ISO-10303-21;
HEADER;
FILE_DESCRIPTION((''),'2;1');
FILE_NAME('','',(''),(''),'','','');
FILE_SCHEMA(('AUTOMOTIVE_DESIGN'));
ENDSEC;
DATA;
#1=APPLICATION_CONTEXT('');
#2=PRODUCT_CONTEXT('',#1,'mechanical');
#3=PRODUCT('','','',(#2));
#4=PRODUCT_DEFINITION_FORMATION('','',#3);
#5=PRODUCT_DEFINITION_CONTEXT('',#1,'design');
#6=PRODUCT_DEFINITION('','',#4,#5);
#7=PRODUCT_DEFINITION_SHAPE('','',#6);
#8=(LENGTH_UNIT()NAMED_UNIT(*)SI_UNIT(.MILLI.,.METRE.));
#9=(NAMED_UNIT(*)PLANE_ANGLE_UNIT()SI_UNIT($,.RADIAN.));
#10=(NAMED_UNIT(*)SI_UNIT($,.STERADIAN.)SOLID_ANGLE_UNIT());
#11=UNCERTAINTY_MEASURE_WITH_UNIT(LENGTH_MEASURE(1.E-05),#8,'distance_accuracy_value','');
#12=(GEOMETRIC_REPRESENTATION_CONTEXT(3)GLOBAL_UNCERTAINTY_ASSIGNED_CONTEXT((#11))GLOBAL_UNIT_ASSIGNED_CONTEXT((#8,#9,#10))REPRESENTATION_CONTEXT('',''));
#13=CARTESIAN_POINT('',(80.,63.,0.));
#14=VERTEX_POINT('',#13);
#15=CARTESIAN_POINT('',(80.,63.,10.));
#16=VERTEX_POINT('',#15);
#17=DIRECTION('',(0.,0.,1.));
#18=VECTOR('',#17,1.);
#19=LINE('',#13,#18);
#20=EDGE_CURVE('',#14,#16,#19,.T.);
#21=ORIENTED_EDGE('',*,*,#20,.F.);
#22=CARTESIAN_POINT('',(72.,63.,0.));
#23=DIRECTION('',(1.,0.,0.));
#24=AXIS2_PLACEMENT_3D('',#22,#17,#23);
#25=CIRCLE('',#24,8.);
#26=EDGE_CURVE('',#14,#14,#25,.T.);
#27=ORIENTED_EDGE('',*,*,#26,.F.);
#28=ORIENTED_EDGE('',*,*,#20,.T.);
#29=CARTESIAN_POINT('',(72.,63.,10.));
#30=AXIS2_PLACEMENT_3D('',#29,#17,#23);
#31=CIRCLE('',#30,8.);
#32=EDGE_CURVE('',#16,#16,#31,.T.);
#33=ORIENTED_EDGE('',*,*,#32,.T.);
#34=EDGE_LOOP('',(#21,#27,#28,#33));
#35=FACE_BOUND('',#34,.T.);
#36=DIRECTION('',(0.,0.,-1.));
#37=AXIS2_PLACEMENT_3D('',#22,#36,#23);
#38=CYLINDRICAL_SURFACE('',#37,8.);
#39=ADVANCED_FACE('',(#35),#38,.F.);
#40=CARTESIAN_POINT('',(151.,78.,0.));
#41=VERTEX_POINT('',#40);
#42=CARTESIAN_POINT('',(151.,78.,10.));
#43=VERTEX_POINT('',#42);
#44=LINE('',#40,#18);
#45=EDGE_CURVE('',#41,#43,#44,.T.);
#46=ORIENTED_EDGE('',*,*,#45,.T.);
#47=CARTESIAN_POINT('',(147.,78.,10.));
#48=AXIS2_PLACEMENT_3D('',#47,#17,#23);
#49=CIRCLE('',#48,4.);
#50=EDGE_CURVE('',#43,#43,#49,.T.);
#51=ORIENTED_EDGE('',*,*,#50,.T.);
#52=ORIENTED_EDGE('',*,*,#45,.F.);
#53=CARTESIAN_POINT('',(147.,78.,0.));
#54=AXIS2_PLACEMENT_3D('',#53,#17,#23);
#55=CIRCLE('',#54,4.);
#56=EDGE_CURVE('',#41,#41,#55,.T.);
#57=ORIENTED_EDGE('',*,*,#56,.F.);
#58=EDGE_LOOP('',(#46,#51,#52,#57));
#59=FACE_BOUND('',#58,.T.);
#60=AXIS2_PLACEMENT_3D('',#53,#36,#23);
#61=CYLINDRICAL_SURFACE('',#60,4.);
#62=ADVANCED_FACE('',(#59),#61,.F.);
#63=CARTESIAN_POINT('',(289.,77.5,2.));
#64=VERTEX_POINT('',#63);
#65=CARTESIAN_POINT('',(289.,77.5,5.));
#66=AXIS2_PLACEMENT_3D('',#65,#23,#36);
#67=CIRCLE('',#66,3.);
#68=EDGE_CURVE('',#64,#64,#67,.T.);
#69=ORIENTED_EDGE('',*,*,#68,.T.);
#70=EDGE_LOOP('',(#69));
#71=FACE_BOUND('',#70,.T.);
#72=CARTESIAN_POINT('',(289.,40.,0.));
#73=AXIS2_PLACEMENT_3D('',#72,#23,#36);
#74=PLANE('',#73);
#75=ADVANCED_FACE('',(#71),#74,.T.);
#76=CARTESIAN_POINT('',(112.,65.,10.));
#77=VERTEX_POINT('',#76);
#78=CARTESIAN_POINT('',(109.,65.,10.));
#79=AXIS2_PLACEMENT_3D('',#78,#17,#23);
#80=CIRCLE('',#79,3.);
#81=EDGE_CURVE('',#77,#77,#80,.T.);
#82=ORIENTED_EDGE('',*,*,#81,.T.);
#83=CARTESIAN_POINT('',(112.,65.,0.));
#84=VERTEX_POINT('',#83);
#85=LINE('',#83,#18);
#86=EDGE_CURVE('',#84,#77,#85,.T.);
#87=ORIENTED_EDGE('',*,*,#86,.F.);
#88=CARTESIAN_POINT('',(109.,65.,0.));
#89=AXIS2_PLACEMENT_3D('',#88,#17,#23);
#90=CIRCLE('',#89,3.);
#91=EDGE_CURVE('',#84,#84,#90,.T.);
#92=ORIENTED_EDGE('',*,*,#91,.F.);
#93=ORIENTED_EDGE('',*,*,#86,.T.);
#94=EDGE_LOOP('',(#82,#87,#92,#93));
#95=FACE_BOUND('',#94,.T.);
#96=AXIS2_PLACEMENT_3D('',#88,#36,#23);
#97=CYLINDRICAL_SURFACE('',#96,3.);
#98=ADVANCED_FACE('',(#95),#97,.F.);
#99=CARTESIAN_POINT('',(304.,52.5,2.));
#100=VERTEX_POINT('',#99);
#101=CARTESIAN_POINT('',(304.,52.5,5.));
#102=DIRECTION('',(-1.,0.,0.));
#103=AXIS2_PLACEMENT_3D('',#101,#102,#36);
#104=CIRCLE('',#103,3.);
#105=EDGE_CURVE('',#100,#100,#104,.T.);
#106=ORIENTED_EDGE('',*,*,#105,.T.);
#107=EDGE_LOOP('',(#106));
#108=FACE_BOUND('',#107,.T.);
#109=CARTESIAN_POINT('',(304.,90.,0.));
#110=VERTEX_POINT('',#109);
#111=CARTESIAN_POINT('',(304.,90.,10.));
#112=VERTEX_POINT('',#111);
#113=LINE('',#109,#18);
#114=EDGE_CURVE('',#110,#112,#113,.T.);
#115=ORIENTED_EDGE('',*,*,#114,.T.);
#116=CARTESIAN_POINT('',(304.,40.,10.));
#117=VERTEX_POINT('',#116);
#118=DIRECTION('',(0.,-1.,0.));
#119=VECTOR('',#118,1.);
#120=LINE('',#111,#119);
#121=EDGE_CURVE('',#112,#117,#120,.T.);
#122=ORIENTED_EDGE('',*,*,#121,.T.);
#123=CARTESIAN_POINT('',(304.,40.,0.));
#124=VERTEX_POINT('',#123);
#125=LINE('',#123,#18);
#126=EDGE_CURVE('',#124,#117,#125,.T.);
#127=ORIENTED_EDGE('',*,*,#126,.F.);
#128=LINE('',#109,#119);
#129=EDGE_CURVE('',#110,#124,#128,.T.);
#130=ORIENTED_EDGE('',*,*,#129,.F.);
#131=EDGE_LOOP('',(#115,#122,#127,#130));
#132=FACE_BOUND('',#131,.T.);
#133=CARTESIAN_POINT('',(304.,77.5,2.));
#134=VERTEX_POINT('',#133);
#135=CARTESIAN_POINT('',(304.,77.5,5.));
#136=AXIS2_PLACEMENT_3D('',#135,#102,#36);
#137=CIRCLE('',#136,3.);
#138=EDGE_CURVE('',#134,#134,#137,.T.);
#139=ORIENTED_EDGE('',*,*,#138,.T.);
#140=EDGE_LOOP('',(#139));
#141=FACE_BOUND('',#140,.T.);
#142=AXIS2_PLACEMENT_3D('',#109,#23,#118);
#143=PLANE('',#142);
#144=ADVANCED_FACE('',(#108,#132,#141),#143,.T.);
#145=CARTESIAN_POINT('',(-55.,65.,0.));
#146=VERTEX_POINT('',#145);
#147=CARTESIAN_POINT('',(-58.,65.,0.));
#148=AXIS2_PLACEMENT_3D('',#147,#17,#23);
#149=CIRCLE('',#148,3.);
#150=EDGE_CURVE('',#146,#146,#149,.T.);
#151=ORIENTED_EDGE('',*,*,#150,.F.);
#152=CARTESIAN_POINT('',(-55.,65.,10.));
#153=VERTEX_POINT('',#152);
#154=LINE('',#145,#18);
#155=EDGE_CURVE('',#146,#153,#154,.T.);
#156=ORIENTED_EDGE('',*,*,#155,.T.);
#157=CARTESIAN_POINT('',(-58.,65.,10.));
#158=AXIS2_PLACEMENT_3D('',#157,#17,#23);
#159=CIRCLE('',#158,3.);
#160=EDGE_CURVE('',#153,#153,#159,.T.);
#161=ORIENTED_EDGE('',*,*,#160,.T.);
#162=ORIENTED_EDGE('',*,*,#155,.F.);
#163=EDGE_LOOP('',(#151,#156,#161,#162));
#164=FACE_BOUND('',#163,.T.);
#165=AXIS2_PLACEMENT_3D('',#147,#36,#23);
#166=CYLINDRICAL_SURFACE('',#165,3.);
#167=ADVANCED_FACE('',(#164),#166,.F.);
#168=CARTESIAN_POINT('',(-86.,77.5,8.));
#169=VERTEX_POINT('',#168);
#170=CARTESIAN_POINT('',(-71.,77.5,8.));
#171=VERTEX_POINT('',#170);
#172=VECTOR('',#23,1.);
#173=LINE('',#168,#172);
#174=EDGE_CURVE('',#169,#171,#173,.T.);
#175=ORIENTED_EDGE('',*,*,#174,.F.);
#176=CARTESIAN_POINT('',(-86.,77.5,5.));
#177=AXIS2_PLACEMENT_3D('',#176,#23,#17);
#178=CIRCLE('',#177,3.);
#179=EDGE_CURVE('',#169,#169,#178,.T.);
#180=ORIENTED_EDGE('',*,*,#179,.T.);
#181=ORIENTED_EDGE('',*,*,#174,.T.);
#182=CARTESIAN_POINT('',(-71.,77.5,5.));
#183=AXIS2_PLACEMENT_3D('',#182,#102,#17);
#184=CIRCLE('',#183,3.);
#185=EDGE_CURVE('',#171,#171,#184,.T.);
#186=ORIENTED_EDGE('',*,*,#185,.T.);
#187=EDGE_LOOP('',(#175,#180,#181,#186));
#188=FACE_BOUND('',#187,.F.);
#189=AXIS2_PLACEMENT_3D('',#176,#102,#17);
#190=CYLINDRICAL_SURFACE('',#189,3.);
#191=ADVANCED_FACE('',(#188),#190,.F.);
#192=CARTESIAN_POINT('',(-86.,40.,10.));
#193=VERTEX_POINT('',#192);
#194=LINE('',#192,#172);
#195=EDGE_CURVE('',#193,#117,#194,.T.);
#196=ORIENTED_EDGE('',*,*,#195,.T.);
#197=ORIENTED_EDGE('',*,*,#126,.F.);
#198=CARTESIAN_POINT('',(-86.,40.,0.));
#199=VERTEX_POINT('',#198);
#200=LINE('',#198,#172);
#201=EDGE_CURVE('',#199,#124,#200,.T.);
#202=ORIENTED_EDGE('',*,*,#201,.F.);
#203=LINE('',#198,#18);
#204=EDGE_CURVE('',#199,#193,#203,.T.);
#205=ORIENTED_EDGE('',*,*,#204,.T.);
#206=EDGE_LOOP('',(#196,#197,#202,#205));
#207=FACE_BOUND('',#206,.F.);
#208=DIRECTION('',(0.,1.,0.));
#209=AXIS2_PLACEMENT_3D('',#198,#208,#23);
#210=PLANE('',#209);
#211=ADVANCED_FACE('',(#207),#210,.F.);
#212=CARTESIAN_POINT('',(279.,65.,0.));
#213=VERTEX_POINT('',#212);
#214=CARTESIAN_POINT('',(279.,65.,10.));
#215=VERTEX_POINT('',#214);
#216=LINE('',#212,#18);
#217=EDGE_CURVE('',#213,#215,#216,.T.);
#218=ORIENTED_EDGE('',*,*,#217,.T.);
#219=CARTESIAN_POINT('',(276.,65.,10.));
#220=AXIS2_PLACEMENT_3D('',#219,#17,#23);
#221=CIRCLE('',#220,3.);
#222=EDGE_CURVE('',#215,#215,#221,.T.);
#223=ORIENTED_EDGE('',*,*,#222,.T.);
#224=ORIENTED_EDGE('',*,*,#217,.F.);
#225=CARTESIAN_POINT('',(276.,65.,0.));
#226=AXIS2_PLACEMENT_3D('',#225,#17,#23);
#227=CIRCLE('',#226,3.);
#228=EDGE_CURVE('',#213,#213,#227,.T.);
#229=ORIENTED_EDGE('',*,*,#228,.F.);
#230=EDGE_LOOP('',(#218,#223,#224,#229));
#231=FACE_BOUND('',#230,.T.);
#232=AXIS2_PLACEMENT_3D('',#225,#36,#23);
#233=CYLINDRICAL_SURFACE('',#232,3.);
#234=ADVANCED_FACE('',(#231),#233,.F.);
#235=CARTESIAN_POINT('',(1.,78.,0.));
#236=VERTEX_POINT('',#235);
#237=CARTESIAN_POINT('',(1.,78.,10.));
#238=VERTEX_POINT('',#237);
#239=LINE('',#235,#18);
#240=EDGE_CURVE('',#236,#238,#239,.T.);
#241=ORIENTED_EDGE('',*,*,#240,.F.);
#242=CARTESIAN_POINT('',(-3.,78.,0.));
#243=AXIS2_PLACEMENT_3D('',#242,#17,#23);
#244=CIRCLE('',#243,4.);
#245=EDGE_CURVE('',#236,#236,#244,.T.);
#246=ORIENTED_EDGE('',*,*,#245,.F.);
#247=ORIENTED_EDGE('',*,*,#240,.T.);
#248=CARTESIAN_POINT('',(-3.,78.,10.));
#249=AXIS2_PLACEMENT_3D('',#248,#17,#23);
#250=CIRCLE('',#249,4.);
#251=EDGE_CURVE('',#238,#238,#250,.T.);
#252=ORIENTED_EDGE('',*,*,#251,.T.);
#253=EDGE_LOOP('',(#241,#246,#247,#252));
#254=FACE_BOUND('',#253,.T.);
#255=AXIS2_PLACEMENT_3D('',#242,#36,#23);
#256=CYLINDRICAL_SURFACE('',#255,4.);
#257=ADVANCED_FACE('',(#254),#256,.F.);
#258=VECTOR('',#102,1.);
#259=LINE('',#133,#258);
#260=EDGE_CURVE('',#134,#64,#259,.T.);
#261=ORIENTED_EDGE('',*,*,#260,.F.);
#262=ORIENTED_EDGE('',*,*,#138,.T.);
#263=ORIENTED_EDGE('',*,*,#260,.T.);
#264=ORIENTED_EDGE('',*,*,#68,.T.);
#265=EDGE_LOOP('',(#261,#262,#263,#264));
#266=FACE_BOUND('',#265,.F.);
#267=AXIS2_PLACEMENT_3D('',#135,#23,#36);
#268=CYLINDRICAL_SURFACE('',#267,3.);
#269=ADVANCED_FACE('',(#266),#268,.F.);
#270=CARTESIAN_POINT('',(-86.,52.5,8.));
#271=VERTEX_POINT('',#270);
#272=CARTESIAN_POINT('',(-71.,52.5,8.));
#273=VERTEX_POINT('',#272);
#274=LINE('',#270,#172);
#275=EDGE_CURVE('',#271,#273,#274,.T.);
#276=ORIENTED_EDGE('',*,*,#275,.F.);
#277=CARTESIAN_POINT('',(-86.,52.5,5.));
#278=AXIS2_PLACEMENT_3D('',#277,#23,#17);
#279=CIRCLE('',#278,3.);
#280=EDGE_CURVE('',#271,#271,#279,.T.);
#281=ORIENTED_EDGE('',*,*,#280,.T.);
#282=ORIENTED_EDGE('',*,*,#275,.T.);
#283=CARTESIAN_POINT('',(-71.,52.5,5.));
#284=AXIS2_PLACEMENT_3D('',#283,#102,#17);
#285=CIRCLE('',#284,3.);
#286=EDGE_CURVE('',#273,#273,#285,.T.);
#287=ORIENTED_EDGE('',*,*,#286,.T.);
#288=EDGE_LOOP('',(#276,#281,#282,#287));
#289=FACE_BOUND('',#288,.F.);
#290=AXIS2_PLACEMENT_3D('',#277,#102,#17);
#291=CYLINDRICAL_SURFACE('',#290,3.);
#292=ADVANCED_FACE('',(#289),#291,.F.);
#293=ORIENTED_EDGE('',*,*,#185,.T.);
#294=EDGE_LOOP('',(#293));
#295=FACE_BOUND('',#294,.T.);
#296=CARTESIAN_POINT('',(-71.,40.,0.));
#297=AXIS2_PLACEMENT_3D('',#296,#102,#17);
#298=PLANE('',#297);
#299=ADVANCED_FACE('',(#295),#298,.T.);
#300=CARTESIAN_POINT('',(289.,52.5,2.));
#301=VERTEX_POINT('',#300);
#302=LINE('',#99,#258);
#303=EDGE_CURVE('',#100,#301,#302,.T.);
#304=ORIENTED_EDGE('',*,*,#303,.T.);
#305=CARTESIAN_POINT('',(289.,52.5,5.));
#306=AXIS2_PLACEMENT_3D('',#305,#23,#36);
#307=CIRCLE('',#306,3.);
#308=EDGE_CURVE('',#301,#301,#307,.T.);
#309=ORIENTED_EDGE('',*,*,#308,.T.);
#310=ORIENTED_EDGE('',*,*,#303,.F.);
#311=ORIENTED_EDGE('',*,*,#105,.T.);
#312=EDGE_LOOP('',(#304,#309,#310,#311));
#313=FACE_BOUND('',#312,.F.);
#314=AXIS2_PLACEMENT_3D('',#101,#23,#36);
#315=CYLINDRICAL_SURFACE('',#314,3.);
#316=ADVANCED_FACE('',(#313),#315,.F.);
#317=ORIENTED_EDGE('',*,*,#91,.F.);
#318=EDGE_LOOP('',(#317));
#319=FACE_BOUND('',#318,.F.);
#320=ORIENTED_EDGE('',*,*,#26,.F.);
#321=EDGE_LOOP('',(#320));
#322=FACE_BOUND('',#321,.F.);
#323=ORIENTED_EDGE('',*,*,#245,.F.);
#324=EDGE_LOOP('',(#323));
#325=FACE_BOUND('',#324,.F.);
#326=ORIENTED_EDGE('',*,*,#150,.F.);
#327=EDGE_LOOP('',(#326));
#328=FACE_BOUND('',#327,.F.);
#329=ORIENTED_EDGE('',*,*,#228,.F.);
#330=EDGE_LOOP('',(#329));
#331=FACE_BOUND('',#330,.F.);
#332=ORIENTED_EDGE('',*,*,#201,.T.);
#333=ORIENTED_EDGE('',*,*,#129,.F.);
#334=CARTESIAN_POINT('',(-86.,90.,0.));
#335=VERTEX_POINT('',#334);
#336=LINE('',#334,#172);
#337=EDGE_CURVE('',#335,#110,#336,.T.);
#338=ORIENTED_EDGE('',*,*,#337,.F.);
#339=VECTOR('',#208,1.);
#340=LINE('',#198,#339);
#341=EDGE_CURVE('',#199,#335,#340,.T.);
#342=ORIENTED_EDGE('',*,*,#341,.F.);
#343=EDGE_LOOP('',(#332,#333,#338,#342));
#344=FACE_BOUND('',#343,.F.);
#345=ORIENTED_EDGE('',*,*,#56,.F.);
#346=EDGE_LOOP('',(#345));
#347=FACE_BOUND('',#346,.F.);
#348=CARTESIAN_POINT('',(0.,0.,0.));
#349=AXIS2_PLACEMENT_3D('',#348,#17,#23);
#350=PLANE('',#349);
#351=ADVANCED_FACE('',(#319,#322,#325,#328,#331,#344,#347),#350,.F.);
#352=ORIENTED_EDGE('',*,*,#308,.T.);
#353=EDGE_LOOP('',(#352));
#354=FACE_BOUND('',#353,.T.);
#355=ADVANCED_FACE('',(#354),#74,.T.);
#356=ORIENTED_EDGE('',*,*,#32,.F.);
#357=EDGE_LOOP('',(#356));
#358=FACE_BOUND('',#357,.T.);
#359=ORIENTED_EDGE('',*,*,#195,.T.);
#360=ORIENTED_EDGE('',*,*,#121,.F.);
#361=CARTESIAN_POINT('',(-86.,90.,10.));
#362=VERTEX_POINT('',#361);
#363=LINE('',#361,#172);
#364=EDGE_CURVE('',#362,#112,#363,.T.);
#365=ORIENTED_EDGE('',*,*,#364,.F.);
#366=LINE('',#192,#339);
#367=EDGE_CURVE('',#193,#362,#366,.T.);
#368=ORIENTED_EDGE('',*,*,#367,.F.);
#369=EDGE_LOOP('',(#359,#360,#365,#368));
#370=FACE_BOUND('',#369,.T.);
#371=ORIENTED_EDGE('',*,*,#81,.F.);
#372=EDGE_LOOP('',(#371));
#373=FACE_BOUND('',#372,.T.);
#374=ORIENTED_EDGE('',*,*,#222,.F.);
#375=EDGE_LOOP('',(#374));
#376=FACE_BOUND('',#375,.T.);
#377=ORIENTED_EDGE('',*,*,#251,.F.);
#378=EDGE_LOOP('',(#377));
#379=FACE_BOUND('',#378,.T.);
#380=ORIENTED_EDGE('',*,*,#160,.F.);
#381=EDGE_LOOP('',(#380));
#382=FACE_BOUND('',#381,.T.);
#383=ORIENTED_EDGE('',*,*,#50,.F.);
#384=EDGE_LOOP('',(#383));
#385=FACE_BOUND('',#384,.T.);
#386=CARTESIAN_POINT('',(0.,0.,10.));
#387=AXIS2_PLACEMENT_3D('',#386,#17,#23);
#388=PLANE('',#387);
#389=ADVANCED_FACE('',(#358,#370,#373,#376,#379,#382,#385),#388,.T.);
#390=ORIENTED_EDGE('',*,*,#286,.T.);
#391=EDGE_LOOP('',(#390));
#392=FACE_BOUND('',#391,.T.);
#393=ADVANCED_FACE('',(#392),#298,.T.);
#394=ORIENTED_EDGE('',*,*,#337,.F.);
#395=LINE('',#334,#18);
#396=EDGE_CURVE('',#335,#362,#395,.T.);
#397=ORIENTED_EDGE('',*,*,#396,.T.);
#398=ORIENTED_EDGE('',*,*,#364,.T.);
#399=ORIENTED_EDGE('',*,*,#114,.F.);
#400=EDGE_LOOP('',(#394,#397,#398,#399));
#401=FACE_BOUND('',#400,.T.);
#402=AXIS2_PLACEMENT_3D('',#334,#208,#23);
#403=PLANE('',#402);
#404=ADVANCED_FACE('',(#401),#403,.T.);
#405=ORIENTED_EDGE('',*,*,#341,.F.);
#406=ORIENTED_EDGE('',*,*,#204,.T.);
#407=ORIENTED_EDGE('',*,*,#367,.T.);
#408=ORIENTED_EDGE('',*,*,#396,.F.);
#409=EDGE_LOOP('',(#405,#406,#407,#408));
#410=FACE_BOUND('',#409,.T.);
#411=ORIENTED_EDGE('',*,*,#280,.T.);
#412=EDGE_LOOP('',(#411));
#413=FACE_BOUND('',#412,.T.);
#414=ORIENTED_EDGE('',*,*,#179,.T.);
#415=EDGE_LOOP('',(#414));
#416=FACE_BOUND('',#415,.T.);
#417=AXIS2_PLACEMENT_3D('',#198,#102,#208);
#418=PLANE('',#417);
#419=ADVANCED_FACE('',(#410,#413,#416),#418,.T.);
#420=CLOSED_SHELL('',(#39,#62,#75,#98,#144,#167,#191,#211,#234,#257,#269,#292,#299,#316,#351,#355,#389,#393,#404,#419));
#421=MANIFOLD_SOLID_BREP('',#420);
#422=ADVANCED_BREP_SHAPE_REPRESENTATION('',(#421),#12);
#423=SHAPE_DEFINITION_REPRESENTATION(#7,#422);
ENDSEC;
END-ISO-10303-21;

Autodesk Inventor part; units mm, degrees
ref_plane "YZ Plane" through (0, 0, 0) normal (1, 0, 0) x (0, 1, 0)
ref_plane "XZ Plane" through (0, 0, 0) normal (0, 1, 0) x (-1, 0, 0)
ref_plane "XY Plane" through (0, 0, 0) normal (0, 0, 1) x (1, 0, 0)
sketch "Sketch1" plane through (0, 0, 0) normal (0, 0, 1) x (1, 0, 0)
  line L0 (-86, 40) -> (-86, 90)
  line L1 (-86, 90) -> (304, 90)
  line L2 (304, 90) -> (304, 40)
  circle A0 centre (72, 63) radius 8
  circle A1 centre (147, 78) radius 4
  circle A2 centre (-3, 78) radius 4
  line L3 (-86, 40) -> (304, 40)
  circle A3 centre (-58, 65) radius 3
  circle A4 centre (276, 65) radius 3
  circle A5 centre (109, 65) radius 3
  dimension "d1" = 390
  dimension "d2" = 16
  dimension "d6" = 8
  dimension "d7" = 8
  dimension "d8" = 15
  dimension "d13" = 75
  dimension "d14" = 75
  dimension "d27" = 15
  dimension "d38" = 50
  dimension "d58" = 27
  dimension "d68" = 232
  dimension "d69" = 6
  dimension "d70" = 25
  dimension "d71" = 28
  dimension "d72" = 6
  dimension "d73" = 25
  dimension "d74" = 28
  dimension "d75" = 6
  dimension "d76" = 25
  dimension "d77" = 195
extrude "Extrusión3" add sketch "Sketch1" along normal blind 10
sketch "Boceto3" plane through (304, 40, 0) normal (1, 0, 0) x (0, 0, -1)
  line L0 (-10, 0) -> (-10, 50) projected
  line L1 (-10, 50) -> (-5, 50)
  line L2 (0, 50) -> (-10, 50) projected
  line L3 (0, 0) -> (0, 50) projected
  line L4 (-5, 0) -> (-5, 12.5)
  line L5 (-5, 50) -> (-5, 37.5)
  circle A0 centre (-5, 37.5) radius 3
  circle A1 centre (-5, 12.5) radius 3
  point P0 (0, -40)
  dimension "d42" = 5
  dimension "d43" = 50
  dimension "d44" = 12.5
  dimension "d45" = 12.5
  dimension "d46" = 6
  dimension "d47" = 6
extrude "Extrusión4" cut sketch "Boceto3" against normal blind 15
sketch "Boceto4" plane through (-86, 40, 0) normal (-1, 0, 0) x (0, 0, 1)
  line L0 (10, 0) -> (10, 50) projected
  line L1 (10, 50) -> (5, 50)
  line L2 (0, 50) -> (10, 50) projected
  line L3 (5, 50) -> (5, 0)
  line L4 (5, 0) -> (5, 12.5)
  line L5 (5, 50) -> (5, 37.5)
  circle A0 centre (5, 12.5) radius 3
  circle A1 centre (5, 37.5) radius 3
  point P0 (0, -40)
  dimension "d50" = 5
  dimension "d51" = 50
  dimension "d52" = 12.5
  dimension "d53" = 12.5
extrude "Extrusión5" cut sketch "Boceto4" against normal blind 15
thread "Rosca1" size "M6x1" class "6H" standard "ISO Metric profile" length 430
thread "Rosca2" size "M6x1" class "6H" standard "ISO Metric profile" length 430
thread "Rosca3" size "M6x1" class "6H" standard "ISO Metric profile" length 430
thread "Rosca4" size "M6x1" class "6H" standard "ISO Metric profile" length 430
thread "Rosca5" size "M6x1" class "6H" standard "ISO Metric profile" length 100
thread "Rosca6" size "M6x1" class "6H" standard "ISO Metric profile" length 100
thread "Rosca7" size "M6x1" class "6H" standard "ISO Metric profile" length 100
equation "\"d73\" = d70"
equation "\"d74\" = d71"
equation "\"d76\" = d70"
properties part number "Frente" material "Aluminio 6061"
